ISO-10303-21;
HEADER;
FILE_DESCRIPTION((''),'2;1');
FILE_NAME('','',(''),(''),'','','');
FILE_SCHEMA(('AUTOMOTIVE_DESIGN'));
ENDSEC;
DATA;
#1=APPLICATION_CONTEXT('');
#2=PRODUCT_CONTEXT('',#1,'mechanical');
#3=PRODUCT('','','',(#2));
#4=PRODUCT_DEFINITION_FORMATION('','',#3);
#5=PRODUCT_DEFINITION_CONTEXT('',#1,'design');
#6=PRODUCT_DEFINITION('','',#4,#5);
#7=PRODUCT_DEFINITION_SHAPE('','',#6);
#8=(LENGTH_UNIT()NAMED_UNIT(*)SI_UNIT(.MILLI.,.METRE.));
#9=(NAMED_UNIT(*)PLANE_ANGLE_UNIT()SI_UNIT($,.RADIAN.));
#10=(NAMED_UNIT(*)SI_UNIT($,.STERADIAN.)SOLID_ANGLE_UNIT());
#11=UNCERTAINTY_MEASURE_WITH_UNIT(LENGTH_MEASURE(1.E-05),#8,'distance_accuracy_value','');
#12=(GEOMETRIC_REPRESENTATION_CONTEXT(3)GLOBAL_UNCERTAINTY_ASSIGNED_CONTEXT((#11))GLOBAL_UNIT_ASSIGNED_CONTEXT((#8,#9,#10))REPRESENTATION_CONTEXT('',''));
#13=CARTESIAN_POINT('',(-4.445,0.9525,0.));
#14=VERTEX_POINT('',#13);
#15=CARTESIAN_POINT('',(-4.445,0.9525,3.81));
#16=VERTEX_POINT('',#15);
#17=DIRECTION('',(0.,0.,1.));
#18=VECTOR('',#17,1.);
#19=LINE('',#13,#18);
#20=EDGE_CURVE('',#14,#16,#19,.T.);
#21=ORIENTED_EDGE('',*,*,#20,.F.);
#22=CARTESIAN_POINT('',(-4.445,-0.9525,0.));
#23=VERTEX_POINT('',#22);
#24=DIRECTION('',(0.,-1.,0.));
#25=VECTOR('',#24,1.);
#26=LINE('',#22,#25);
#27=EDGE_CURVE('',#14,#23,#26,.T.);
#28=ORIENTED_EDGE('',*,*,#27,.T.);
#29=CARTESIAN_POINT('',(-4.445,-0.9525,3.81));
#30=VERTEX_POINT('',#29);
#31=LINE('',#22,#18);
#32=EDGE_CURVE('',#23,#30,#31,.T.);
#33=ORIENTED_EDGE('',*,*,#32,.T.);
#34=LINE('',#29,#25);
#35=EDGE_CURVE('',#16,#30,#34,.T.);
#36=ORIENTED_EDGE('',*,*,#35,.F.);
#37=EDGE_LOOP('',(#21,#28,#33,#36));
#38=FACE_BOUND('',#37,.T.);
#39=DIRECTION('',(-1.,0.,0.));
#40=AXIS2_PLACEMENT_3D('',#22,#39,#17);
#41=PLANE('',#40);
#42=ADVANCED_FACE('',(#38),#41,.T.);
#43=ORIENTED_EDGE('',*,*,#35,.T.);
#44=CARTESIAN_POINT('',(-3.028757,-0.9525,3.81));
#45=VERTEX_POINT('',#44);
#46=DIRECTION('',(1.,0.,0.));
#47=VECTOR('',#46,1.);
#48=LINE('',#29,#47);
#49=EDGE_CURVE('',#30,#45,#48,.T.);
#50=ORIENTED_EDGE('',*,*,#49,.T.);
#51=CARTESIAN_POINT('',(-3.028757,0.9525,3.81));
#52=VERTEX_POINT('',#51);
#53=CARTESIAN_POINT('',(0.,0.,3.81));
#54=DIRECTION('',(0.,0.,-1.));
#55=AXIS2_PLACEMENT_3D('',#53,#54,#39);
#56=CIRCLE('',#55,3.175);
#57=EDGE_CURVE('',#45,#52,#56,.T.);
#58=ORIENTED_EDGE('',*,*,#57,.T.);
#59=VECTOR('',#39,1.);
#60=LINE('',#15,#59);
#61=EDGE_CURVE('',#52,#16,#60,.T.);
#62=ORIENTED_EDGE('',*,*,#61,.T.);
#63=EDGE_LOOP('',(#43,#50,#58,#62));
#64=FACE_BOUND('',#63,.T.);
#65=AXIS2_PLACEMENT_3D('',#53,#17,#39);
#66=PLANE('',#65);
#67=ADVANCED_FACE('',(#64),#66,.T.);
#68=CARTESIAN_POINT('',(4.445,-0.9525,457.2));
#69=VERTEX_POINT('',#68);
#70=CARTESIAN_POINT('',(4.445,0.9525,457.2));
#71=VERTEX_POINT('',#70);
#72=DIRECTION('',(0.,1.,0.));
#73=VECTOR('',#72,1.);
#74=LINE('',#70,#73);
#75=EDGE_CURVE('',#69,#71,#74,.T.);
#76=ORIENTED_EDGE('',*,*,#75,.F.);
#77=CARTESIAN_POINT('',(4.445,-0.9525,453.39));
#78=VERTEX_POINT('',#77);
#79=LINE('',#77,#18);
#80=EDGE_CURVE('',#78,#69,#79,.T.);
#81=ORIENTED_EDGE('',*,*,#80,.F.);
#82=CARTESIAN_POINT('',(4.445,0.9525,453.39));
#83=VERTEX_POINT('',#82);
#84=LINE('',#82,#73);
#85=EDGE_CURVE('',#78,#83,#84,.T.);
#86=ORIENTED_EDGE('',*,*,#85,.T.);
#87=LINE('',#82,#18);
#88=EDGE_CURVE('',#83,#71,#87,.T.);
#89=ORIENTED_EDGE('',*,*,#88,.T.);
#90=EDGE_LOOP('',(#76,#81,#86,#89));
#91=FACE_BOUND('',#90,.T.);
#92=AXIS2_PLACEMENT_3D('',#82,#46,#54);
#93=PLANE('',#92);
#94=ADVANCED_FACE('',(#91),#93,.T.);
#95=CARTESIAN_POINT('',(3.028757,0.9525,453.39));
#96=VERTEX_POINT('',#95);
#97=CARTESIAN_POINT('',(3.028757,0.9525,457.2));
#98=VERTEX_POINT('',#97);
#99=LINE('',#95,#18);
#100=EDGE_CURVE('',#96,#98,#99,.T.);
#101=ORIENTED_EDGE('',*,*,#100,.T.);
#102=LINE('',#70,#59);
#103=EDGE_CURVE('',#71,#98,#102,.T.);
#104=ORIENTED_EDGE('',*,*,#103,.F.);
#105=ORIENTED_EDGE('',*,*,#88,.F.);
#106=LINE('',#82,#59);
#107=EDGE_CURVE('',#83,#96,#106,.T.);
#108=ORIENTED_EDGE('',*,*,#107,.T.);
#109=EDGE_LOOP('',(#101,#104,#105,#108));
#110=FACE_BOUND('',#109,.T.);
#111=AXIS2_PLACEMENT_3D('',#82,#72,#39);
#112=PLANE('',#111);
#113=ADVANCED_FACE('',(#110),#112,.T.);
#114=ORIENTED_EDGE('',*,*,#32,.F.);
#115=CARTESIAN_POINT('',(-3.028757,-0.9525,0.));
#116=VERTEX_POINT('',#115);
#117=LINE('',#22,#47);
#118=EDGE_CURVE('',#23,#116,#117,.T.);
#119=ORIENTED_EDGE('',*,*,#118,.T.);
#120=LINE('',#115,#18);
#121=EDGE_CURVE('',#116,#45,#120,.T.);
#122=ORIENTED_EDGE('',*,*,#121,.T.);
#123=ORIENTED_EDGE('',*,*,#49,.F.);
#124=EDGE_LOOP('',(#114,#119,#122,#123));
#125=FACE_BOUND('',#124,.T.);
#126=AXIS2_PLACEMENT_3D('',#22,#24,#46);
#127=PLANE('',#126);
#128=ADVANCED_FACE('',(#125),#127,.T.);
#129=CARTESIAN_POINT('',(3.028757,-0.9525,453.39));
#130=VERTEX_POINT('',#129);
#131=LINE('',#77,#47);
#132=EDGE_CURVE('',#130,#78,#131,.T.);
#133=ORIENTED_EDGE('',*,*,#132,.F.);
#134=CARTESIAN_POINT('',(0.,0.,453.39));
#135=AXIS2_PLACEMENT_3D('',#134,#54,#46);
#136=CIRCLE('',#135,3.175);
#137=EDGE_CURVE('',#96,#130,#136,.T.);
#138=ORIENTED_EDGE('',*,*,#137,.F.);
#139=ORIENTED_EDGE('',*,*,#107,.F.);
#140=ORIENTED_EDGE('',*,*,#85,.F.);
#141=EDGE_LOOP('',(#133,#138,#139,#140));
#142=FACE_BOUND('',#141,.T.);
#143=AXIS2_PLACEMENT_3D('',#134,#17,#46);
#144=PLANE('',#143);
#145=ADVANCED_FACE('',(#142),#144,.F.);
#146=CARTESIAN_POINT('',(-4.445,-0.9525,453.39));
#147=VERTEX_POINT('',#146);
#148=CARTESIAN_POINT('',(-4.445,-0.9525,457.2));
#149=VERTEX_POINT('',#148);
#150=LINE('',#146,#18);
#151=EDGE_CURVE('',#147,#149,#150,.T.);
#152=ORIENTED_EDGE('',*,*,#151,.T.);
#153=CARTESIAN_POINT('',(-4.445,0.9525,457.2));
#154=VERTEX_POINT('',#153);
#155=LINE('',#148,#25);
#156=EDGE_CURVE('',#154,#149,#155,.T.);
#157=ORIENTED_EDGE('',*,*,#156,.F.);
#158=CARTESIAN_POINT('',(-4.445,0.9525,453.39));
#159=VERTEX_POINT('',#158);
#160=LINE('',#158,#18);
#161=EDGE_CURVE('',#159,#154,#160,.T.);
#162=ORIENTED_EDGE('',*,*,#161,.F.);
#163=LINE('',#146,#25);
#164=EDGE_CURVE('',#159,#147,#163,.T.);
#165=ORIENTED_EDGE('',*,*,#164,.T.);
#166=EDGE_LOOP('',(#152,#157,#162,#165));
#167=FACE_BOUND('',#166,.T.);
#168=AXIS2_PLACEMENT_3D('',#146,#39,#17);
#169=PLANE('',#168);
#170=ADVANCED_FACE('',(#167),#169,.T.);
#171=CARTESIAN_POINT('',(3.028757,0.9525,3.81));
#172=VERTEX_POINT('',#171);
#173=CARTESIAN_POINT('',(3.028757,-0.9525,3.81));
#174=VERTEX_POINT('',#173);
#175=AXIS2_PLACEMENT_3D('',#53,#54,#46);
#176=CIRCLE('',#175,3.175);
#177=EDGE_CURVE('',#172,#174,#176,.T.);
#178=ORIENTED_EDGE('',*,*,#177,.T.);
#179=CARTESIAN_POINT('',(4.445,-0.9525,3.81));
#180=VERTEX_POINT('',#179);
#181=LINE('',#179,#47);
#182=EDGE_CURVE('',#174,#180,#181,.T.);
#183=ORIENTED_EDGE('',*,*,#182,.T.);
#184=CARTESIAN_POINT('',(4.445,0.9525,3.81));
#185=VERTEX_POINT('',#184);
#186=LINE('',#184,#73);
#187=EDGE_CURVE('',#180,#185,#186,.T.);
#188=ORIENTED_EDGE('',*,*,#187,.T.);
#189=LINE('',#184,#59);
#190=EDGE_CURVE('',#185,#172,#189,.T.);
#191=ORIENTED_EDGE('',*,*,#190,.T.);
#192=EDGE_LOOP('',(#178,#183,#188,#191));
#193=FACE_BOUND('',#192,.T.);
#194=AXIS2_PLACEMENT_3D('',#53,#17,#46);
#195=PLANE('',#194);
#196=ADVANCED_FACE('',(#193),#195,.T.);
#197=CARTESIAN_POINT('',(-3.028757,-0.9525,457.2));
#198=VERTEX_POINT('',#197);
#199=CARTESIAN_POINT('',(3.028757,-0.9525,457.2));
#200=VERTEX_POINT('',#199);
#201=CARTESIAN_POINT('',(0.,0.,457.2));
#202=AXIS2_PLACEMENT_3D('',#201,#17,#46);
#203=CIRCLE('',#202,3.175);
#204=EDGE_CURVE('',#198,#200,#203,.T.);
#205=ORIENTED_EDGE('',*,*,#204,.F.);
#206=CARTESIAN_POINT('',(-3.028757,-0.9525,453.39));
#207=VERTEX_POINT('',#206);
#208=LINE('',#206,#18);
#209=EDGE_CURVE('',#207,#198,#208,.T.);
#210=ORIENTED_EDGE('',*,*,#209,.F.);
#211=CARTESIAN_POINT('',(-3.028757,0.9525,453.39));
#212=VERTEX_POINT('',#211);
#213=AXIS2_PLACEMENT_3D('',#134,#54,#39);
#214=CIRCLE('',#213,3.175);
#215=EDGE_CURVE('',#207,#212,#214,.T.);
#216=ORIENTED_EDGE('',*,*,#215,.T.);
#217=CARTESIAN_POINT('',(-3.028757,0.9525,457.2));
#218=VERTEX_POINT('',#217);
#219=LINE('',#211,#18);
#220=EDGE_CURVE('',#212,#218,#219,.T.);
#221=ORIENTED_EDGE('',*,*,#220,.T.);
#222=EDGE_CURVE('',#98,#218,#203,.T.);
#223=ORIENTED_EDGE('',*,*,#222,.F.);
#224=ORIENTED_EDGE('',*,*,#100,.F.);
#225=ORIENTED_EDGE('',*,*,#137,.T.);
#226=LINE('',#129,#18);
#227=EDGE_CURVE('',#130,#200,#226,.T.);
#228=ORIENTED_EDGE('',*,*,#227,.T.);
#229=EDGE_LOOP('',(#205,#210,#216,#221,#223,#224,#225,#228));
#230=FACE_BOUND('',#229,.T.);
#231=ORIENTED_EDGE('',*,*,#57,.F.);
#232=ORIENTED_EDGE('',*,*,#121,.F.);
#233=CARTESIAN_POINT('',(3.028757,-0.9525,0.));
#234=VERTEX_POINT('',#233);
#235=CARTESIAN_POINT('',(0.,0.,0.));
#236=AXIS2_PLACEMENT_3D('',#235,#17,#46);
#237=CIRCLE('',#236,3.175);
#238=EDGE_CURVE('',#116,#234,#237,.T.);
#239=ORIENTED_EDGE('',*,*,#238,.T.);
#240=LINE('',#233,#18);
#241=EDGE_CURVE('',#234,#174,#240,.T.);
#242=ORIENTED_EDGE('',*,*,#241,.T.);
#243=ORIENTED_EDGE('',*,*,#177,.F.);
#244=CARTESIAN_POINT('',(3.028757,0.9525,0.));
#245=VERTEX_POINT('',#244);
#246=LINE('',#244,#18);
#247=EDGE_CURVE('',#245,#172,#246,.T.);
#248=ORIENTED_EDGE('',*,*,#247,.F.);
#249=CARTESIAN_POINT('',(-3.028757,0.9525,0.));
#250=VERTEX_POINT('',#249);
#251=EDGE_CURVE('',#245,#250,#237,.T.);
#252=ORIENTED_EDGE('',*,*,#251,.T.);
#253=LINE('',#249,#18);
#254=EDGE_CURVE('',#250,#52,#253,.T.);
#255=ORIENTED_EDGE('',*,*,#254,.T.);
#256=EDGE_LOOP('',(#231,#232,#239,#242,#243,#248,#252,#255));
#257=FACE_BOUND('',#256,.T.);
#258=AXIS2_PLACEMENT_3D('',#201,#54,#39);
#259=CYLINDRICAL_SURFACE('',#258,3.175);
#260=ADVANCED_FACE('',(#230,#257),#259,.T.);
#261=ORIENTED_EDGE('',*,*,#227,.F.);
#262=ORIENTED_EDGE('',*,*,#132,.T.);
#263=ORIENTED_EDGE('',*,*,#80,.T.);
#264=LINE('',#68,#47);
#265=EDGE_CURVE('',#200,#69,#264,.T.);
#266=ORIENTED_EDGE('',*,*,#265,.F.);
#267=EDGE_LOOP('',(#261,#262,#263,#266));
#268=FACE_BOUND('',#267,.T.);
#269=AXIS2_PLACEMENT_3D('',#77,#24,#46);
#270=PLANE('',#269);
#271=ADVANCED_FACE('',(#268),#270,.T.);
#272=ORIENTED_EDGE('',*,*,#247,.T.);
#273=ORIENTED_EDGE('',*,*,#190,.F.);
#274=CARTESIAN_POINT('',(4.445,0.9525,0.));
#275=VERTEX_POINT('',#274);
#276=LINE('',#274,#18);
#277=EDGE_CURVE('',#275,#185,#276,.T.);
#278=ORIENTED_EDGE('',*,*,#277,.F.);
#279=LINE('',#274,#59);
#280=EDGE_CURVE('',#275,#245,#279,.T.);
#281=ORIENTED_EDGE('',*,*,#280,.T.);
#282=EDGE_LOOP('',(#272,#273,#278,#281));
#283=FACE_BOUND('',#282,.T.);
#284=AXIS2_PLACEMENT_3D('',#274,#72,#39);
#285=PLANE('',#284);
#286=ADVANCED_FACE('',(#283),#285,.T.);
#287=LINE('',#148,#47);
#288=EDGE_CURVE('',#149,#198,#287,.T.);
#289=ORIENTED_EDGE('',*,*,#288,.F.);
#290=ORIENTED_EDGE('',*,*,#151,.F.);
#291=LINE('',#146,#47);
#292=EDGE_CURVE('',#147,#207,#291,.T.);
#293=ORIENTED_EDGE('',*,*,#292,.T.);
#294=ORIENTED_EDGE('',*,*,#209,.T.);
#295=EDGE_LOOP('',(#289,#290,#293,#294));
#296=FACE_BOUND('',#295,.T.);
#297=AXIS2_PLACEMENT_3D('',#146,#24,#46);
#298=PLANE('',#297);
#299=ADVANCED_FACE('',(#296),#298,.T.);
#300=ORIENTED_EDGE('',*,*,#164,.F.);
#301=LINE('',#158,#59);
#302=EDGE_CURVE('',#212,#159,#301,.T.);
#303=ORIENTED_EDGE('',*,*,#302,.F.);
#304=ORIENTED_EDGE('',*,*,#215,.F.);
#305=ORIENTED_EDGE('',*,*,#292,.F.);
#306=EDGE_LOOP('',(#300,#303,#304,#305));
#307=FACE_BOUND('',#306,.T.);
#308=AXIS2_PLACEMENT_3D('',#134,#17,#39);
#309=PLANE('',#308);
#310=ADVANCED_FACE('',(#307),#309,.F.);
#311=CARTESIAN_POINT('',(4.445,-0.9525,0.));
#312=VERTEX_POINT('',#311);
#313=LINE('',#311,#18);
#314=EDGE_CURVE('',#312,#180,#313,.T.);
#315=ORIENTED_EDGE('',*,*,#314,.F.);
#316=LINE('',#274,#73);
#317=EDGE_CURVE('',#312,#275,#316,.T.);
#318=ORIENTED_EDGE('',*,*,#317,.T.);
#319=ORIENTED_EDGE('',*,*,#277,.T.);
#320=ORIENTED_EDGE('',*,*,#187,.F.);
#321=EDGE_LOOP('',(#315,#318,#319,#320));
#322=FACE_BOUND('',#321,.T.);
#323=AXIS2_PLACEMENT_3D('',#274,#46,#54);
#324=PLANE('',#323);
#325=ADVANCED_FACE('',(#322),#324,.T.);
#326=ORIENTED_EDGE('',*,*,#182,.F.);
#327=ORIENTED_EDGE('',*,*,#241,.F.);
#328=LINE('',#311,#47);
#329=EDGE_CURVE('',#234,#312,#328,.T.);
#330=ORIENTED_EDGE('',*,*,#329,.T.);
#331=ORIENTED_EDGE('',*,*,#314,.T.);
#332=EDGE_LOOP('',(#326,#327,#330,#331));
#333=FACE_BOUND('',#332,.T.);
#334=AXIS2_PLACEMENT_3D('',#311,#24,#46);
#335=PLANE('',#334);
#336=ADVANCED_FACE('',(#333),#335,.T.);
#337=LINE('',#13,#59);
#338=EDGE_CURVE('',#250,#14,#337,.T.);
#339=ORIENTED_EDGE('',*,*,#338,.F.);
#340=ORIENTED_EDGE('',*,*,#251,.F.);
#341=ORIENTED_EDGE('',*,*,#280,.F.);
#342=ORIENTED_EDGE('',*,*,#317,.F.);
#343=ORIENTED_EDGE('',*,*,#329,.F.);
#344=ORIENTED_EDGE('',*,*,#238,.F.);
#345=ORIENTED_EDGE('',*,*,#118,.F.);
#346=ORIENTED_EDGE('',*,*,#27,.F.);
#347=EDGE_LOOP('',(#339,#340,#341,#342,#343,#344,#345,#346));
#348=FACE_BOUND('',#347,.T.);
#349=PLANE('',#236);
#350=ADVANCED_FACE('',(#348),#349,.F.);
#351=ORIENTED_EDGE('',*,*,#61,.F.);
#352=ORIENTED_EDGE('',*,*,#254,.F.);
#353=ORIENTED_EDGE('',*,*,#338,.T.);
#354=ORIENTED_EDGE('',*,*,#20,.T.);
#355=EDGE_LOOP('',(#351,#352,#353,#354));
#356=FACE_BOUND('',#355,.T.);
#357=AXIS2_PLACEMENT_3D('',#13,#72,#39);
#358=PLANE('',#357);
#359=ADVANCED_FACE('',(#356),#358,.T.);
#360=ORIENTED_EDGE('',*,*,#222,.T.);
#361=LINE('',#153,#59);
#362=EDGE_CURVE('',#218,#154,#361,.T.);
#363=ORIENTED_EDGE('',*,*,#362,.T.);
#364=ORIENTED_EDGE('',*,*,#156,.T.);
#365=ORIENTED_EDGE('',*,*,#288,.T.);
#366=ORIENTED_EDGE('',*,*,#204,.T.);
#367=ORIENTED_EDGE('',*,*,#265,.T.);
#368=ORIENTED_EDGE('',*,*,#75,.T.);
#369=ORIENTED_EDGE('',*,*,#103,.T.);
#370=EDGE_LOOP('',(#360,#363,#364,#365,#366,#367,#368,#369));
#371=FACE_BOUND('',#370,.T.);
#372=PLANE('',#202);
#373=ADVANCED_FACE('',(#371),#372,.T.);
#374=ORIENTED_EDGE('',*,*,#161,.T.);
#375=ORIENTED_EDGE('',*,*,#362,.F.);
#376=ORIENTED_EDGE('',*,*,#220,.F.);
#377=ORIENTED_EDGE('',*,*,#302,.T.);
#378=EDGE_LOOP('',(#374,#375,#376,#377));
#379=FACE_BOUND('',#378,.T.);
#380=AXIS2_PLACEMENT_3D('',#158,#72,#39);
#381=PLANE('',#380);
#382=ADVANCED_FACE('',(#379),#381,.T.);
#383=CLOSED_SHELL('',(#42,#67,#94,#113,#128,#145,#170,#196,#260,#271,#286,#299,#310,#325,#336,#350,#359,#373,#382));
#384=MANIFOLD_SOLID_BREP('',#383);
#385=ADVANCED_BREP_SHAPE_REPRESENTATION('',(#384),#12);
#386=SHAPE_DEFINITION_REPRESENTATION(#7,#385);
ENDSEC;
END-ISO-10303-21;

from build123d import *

# Parameters (mm, degrees)
SKETCH1_R              = 3.175
BOSS_EXTRUDE1_DEPTH    = 457.2
BOSS_EXTRUDE2_START    = -3.81
BOSS_EXTRUDE2_DEPTH    = 3.81
CIRPATTERN1_COUNT      = 2
LPATTERN1_COUNT        = 2
LPATTERN1_PITCH        = 453.39
LPATTERN1_START        = -3.81
LPATTERN1_COPY_1_DEPTH = 3.81


with BuildPart() as part:
    # Sketch1 → Boss-Extrude1 (new body)
    with BuildSketch(Plane.XY):
        Circle(SKETCH1_R)
    extrude(amount=BOSS_EXTRUDE1_DEPTH)

    # Sketch3 → Boss-Extrude2 (add)
    with BuildSketch(Plane.XY.offset(457.2).offset(BOSS_EXTRUDE2_START)):
        with BuildLine():
            Line((4.445, 0.9525), (4.445, -0.9525))
            Line((4.445, -0.9525), (3.028756964, -0.9525))
            ThreePointArc((3.028756964, -0.9525), (3.175, 0), (3.028756964, 0.9525))
            Line((3.028756964, 0.9525), (4.445, 0.9525))
        make_face()
    boss_extrude2 = extrude(amount=BOSS_EXTRUDE2_DEPTH)

    # CirPattern1: Boss-Extrude2 ×2 about axis
    cirpattern1_axis = Axis((0, 0, 0), (0, 0, 1))
    for i in range(1, CIRPATTERN1_COUNT):
        add(boss_extrude2.rotate(cirpattern1_axis, i * 360 / CIRPATTERN1_COUNT))

    # LPattern1: Boss-Extrude2 ×2
    with Locations(*[(0, 0, -i * LPATTERN1_PITCH) for i in range(1, LPATTERN1_COUNT)]):
        add(boss_extrude2)

    # LPattern1 copy 1 sketch → LPattern1 copy 1 (add)
    with BuildSketch(Plane(origin=(0, 0, 3.81), x_dir=(-1, 0, 0), z_dir=(0, 0, 1)).offset(LPATTERN1_START)):
        with BuildLine():
            Line((4.445, 0.9525), (4.445, -0.9525))
            Line((4.445, -0.9525), (3.028756964, -0.9525))
            ThreePointArc((3.028756964, -0.9525), (3.175, 0), (3.028756964, 0.9525))
            Line((3.028756964, 0.9525), (4.445, 0.9525))
        make_face()
    extrude(amount=LPATTERN1_COPY_1_DEPTH)


solid = part.part
